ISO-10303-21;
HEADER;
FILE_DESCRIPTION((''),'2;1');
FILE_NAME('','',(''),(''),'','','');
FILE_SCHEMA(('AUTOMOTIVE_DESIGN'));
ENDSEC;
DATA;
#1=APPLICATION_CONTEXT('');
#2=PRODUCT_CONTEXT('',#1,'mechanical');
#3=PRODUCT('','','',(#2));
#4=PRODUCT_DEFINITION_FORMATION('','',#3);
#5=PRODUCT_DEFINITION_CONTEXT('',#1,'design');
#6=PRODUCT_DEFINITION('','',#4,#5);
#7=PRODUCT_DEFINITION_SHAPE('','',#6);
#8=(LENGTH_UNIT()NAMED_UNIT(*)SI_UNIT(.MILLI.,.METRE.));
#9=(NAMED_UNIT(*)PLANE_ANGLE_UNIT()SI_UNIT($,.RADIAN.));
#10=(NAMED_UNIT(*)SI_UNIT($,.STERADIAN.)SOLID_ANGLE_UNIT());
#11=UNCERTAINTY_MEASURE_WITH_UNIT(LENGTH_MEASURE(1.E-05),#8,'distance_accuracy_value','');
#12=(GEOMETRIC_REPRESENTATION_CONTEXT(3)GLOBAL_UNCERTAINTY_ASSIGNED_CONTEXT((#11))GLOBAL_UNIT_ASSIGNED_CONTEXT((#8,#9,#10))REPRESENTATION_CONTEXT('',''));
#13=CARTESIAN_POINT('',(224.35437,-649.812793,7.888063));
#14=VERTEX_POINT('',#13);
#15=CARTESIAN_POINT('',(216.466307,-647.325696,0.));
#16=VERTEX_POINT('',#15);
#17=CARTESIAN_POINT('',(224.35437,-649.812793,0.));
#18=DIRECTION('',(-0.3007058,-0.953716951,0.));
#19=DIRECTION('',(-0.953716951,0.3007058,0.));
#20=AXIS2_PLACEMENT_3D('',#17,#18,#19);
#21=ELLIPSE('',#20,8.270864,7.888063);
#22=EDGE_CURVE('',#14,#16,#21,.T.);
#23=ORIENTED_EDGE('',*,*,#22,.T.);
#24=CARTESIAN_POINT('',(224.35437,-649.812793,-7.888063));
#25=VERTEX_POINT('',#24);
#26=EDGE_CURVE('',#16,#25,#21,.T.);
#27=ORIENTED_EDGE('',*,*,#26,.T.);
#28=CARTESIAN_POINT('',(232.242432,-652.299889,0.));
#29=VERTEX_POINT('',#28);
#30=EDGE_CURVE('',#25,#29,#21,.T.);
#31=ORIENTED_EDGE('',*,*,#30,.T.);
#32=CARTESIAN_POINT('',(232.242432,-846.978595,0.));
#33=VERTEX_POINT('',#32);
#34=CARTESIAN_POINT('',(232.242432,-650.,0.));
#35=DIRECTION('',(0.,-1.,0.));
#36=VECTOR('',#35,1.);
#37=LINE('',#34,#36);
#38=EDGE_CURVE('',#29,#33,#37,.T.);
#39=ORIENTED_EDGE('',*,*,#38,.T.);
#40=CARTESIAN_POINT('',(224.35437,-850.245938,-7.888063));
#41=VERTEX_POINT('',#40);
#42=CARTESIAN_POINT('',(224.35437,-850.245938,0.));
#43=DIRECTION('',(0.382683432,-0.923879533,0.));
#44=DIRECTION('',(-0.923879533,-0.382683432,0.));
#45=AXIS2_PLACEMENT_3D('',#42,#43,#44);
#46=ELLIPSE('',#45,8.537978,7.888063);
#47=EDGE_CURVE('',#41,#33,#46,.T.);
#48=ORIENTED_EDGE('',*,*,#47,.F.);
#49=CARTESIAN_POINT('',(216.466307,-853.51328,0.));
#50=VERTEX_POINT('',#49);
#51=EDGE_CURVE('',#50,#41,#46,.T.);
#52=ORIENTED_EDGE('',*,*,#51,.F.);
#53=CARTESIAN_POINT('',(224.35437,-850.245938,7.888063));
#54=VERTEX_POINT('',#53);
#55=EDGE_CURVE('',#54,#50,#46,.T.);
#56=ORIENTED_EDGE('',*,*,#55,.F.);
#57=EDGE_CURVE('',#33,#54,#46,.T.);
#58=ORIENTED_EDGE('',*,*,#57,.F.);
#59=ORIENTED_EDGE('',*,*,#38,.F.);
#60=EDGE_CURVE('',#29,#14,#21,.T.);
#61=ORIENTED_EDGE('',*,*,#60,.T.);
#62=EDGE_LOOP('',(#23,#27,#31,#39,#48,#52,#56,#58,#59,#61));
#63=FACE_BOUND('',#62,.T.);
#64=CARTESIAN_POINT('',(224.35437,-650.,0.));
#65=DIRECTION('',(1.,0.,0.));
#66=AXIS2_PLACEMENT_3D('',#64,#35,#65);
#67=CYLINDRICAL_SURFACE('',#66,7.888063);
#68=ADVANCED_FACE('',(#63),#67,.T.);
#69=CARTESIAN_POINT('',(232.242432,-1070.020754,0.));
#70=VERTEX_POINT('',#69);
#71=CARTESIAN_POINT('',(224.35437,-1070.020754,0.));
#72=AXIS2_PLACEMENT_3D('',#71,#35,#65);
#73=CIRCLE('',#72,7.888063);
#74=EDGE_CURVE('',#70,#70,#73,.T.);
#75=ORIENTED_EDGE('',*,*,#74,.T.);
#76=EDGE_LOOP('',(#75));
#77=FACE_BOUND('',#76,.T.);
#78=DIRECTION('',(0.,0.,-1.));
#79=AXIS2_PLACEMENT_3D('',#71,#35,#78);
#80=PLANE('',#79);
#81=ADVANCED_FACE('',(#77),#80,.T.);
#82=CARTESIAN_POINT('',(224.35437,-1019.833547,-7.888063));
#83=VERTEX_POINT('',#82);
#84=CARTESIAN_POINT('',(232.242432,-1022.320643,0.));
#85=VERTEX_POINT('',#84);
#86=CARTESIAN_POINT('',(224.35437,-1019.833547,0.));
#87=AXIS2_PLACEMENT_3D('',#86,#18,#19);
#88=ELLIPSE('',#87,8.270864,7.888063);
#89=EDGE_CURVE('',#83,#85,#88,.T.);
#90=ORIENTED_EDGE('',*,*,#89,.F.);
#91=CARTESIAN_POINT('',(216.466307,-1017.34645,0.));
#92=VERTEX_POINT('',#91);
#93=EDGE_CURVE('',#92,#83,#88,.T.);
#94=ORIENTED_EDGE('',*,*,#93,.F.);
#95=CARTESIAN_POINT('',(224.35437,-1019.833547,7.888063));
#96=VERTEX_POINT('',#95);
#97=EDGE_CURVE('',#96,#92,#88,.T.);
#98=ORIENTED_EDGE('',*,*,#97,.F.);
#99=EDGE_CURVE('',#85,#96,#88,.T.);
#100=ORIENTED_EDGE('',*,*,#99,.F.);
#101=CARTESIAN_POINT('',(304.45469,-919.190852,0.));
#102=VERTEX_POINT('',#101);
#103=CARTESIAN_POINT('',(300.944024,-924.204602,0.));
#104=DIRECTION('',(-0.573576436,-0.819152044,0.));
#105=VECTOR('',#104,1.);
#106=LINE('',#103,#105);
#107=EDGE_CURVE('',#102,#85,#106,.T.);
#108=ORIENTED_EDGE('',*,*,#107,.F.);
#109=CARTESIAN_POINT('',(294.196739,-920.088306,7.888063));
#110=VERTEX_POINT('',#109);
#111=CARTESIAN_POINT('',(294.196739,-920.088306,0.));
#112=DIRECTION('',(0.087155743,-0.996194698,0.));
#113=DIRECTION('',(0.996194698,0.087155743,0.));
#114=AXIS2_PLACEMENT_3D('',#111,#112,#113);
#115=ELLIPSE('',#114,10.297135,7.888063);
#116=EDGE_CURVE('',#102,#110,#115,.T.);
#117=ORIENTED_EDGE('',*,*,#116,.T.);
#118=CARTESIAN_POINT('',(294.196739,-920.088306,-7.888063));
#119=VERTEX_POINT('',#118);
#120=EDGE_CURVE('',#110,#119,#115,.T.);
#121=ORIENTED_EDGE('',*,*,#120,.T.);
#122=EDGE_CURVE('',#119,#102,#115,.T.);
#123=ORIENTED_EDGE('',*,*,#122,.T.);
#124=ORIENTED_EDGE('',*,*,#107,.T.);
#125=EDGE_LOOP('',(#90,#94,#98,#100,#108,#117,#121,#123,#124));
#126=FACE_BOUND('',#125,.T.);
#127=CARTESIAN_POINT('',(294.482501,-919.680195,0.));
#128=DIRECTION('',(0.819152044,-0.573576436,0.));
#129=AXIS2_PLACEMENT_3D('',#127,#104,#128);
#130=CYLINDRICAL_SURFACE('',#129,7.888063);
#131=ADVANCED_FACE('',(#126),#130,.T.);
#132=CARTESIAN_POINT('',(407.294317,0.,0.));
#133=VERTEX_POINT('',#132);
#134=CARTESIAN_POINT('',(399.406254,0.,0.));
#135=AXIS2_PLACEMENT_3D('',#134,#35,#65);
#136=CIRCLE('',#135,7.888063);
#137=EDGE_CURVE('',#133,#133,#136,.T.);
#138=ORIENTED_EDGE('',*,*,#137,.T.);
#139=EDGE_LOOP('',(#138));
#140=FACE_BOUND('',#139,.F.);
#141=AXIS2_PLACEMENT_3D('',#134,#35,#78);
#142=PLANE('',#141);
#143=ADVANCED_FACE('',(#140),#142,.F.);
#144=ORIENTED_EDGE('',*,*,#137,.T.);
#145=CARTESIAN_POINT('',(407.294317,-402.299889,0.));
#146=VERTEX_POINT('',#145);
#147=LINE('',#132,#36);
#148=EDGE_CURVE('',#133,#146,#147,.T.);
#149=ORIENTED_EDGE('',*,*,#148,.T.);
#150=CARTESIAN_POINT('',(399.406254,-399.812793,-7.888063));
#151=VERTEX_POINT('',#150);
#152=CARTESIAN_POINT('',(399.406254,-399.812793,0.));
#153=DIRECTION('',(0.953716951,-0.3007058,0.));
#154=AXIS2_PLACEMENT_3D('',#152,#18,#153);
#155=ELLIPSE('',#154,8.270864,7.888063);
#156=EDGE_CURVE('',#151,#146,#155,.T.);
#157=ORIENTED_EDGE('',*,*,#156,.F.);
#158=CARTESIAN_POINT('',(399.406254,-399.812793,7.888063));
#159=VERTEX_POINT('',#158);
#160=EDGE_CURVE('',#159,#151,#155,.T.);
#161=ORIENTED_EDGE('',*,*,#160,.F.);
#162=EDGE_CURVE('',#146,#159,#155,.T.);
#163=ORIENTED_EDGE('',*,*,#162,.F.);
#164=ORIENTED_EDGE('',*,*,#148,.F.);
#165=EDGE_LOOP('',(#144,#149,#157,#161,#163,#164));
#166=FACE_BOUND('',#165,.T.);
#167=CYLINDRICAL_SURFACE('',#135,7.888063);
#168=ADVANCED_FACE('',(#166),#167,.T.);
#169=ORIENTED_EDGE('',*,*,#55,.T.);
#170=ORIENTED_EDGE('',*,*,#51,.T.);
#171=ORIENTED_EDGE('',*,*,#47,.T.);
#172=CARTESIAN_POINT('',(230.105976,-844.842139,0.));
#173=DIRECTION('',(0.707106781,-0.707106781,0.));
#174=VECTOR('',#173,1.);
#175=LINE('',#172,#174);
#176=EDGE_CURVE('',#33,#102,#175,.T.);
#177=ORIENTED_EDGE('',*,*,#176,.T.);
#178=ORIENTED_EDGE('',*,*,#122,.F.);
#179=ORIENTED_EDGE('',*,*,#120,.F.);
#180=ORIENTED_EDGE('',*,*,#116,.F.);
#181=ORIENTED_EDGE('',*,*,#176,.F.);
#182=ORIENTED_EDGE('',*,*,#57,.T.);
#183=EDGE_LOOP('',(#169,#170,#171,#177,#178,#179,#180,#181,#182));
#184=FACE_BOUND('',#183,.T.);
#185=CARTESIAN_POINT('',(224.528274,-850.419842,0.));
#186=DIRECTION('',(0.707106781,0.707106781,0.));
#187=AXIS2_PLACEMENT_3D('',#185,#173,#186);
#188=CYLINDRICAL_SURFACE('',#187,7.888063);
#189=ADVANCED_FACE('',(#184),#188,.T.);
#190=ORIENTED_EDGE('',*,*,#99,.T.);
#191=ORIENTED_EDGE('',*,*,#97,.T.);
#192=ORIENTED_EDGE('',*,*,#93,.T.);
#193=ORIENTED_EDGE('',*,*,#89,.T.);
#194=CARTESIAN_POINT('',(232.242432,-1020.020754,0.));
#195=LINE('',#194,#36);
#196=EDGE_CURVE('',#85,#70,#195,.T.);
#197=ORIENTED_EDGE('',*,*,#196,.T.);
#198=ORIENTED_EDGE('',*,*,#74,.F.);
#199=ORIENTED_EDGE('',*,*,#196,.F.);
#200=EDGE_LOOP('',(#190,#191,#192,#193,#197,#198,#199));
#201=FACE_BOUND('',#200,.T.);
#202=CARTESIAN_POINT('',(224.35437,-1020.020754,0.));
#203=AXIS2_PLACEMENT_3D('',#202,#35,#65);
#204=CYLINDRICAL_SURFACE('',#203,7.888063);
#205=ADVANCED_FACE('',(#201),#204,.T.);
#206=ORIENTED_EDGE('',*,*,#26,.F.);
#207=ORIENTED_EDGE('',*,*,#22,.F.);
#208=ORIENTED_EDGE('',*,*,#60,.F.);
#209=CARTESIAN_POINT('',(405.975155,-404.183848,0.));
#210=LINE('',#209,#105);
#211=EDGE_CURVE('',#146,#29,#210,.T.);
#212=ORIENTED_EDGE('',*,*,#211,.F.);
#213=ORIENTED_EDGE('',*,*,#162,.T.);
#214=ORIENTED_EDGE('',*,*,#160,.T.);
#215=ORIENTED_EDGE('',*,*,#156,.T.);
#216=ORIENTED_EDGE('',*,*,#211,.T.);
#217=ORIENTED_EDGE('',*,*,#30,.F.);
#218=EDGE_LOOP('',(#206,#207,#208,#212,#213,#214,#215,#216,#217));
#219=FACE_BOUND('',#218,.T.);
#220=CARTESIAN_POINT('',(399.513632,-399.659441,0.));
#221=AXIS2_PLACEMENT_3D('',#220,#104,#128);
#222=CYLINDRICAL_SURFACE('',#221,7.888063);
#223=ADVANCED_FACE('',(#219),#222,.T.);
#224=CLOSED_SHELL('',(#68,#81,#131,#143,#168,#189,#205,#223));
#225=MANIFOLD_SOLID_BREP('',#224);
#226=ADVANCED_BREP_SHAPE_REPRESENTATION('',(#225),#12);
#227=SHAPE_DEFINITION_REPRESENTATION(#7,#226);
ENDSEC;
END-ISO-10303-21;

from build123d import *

# Parameters (mm, degrees)
F1_R = 7.8880627454


with BuildPart() as f2:
    # F2: sweep along a path in F0
    with BuildLine(Plane.XY) as f2_path:
        Line((400, 0), (400, -400))
        Line((400, -400), (224.9481154476, -650))
        Line((224.9481154476, -650), (224.9481154476, -850))
        Line((224.9481154476, -850), (294.9688692685, -920.020753821))
        Line((294.9688692685, -920.020753821), (224.9481154476, -1020.020753821))
        Line((224.9481154476, -1020.020753821), (224.9481154476, -1070.020753821))
    # F1 (on Front) → F2 (sweep)
    with BuildSketch(Plane.XZ):
        with Locations((399.4062542915, 0)):
            Circle(F1_R)
    sweep(path=f2_path.line, transition=Transition.RIGHT)


solid = f2.part
